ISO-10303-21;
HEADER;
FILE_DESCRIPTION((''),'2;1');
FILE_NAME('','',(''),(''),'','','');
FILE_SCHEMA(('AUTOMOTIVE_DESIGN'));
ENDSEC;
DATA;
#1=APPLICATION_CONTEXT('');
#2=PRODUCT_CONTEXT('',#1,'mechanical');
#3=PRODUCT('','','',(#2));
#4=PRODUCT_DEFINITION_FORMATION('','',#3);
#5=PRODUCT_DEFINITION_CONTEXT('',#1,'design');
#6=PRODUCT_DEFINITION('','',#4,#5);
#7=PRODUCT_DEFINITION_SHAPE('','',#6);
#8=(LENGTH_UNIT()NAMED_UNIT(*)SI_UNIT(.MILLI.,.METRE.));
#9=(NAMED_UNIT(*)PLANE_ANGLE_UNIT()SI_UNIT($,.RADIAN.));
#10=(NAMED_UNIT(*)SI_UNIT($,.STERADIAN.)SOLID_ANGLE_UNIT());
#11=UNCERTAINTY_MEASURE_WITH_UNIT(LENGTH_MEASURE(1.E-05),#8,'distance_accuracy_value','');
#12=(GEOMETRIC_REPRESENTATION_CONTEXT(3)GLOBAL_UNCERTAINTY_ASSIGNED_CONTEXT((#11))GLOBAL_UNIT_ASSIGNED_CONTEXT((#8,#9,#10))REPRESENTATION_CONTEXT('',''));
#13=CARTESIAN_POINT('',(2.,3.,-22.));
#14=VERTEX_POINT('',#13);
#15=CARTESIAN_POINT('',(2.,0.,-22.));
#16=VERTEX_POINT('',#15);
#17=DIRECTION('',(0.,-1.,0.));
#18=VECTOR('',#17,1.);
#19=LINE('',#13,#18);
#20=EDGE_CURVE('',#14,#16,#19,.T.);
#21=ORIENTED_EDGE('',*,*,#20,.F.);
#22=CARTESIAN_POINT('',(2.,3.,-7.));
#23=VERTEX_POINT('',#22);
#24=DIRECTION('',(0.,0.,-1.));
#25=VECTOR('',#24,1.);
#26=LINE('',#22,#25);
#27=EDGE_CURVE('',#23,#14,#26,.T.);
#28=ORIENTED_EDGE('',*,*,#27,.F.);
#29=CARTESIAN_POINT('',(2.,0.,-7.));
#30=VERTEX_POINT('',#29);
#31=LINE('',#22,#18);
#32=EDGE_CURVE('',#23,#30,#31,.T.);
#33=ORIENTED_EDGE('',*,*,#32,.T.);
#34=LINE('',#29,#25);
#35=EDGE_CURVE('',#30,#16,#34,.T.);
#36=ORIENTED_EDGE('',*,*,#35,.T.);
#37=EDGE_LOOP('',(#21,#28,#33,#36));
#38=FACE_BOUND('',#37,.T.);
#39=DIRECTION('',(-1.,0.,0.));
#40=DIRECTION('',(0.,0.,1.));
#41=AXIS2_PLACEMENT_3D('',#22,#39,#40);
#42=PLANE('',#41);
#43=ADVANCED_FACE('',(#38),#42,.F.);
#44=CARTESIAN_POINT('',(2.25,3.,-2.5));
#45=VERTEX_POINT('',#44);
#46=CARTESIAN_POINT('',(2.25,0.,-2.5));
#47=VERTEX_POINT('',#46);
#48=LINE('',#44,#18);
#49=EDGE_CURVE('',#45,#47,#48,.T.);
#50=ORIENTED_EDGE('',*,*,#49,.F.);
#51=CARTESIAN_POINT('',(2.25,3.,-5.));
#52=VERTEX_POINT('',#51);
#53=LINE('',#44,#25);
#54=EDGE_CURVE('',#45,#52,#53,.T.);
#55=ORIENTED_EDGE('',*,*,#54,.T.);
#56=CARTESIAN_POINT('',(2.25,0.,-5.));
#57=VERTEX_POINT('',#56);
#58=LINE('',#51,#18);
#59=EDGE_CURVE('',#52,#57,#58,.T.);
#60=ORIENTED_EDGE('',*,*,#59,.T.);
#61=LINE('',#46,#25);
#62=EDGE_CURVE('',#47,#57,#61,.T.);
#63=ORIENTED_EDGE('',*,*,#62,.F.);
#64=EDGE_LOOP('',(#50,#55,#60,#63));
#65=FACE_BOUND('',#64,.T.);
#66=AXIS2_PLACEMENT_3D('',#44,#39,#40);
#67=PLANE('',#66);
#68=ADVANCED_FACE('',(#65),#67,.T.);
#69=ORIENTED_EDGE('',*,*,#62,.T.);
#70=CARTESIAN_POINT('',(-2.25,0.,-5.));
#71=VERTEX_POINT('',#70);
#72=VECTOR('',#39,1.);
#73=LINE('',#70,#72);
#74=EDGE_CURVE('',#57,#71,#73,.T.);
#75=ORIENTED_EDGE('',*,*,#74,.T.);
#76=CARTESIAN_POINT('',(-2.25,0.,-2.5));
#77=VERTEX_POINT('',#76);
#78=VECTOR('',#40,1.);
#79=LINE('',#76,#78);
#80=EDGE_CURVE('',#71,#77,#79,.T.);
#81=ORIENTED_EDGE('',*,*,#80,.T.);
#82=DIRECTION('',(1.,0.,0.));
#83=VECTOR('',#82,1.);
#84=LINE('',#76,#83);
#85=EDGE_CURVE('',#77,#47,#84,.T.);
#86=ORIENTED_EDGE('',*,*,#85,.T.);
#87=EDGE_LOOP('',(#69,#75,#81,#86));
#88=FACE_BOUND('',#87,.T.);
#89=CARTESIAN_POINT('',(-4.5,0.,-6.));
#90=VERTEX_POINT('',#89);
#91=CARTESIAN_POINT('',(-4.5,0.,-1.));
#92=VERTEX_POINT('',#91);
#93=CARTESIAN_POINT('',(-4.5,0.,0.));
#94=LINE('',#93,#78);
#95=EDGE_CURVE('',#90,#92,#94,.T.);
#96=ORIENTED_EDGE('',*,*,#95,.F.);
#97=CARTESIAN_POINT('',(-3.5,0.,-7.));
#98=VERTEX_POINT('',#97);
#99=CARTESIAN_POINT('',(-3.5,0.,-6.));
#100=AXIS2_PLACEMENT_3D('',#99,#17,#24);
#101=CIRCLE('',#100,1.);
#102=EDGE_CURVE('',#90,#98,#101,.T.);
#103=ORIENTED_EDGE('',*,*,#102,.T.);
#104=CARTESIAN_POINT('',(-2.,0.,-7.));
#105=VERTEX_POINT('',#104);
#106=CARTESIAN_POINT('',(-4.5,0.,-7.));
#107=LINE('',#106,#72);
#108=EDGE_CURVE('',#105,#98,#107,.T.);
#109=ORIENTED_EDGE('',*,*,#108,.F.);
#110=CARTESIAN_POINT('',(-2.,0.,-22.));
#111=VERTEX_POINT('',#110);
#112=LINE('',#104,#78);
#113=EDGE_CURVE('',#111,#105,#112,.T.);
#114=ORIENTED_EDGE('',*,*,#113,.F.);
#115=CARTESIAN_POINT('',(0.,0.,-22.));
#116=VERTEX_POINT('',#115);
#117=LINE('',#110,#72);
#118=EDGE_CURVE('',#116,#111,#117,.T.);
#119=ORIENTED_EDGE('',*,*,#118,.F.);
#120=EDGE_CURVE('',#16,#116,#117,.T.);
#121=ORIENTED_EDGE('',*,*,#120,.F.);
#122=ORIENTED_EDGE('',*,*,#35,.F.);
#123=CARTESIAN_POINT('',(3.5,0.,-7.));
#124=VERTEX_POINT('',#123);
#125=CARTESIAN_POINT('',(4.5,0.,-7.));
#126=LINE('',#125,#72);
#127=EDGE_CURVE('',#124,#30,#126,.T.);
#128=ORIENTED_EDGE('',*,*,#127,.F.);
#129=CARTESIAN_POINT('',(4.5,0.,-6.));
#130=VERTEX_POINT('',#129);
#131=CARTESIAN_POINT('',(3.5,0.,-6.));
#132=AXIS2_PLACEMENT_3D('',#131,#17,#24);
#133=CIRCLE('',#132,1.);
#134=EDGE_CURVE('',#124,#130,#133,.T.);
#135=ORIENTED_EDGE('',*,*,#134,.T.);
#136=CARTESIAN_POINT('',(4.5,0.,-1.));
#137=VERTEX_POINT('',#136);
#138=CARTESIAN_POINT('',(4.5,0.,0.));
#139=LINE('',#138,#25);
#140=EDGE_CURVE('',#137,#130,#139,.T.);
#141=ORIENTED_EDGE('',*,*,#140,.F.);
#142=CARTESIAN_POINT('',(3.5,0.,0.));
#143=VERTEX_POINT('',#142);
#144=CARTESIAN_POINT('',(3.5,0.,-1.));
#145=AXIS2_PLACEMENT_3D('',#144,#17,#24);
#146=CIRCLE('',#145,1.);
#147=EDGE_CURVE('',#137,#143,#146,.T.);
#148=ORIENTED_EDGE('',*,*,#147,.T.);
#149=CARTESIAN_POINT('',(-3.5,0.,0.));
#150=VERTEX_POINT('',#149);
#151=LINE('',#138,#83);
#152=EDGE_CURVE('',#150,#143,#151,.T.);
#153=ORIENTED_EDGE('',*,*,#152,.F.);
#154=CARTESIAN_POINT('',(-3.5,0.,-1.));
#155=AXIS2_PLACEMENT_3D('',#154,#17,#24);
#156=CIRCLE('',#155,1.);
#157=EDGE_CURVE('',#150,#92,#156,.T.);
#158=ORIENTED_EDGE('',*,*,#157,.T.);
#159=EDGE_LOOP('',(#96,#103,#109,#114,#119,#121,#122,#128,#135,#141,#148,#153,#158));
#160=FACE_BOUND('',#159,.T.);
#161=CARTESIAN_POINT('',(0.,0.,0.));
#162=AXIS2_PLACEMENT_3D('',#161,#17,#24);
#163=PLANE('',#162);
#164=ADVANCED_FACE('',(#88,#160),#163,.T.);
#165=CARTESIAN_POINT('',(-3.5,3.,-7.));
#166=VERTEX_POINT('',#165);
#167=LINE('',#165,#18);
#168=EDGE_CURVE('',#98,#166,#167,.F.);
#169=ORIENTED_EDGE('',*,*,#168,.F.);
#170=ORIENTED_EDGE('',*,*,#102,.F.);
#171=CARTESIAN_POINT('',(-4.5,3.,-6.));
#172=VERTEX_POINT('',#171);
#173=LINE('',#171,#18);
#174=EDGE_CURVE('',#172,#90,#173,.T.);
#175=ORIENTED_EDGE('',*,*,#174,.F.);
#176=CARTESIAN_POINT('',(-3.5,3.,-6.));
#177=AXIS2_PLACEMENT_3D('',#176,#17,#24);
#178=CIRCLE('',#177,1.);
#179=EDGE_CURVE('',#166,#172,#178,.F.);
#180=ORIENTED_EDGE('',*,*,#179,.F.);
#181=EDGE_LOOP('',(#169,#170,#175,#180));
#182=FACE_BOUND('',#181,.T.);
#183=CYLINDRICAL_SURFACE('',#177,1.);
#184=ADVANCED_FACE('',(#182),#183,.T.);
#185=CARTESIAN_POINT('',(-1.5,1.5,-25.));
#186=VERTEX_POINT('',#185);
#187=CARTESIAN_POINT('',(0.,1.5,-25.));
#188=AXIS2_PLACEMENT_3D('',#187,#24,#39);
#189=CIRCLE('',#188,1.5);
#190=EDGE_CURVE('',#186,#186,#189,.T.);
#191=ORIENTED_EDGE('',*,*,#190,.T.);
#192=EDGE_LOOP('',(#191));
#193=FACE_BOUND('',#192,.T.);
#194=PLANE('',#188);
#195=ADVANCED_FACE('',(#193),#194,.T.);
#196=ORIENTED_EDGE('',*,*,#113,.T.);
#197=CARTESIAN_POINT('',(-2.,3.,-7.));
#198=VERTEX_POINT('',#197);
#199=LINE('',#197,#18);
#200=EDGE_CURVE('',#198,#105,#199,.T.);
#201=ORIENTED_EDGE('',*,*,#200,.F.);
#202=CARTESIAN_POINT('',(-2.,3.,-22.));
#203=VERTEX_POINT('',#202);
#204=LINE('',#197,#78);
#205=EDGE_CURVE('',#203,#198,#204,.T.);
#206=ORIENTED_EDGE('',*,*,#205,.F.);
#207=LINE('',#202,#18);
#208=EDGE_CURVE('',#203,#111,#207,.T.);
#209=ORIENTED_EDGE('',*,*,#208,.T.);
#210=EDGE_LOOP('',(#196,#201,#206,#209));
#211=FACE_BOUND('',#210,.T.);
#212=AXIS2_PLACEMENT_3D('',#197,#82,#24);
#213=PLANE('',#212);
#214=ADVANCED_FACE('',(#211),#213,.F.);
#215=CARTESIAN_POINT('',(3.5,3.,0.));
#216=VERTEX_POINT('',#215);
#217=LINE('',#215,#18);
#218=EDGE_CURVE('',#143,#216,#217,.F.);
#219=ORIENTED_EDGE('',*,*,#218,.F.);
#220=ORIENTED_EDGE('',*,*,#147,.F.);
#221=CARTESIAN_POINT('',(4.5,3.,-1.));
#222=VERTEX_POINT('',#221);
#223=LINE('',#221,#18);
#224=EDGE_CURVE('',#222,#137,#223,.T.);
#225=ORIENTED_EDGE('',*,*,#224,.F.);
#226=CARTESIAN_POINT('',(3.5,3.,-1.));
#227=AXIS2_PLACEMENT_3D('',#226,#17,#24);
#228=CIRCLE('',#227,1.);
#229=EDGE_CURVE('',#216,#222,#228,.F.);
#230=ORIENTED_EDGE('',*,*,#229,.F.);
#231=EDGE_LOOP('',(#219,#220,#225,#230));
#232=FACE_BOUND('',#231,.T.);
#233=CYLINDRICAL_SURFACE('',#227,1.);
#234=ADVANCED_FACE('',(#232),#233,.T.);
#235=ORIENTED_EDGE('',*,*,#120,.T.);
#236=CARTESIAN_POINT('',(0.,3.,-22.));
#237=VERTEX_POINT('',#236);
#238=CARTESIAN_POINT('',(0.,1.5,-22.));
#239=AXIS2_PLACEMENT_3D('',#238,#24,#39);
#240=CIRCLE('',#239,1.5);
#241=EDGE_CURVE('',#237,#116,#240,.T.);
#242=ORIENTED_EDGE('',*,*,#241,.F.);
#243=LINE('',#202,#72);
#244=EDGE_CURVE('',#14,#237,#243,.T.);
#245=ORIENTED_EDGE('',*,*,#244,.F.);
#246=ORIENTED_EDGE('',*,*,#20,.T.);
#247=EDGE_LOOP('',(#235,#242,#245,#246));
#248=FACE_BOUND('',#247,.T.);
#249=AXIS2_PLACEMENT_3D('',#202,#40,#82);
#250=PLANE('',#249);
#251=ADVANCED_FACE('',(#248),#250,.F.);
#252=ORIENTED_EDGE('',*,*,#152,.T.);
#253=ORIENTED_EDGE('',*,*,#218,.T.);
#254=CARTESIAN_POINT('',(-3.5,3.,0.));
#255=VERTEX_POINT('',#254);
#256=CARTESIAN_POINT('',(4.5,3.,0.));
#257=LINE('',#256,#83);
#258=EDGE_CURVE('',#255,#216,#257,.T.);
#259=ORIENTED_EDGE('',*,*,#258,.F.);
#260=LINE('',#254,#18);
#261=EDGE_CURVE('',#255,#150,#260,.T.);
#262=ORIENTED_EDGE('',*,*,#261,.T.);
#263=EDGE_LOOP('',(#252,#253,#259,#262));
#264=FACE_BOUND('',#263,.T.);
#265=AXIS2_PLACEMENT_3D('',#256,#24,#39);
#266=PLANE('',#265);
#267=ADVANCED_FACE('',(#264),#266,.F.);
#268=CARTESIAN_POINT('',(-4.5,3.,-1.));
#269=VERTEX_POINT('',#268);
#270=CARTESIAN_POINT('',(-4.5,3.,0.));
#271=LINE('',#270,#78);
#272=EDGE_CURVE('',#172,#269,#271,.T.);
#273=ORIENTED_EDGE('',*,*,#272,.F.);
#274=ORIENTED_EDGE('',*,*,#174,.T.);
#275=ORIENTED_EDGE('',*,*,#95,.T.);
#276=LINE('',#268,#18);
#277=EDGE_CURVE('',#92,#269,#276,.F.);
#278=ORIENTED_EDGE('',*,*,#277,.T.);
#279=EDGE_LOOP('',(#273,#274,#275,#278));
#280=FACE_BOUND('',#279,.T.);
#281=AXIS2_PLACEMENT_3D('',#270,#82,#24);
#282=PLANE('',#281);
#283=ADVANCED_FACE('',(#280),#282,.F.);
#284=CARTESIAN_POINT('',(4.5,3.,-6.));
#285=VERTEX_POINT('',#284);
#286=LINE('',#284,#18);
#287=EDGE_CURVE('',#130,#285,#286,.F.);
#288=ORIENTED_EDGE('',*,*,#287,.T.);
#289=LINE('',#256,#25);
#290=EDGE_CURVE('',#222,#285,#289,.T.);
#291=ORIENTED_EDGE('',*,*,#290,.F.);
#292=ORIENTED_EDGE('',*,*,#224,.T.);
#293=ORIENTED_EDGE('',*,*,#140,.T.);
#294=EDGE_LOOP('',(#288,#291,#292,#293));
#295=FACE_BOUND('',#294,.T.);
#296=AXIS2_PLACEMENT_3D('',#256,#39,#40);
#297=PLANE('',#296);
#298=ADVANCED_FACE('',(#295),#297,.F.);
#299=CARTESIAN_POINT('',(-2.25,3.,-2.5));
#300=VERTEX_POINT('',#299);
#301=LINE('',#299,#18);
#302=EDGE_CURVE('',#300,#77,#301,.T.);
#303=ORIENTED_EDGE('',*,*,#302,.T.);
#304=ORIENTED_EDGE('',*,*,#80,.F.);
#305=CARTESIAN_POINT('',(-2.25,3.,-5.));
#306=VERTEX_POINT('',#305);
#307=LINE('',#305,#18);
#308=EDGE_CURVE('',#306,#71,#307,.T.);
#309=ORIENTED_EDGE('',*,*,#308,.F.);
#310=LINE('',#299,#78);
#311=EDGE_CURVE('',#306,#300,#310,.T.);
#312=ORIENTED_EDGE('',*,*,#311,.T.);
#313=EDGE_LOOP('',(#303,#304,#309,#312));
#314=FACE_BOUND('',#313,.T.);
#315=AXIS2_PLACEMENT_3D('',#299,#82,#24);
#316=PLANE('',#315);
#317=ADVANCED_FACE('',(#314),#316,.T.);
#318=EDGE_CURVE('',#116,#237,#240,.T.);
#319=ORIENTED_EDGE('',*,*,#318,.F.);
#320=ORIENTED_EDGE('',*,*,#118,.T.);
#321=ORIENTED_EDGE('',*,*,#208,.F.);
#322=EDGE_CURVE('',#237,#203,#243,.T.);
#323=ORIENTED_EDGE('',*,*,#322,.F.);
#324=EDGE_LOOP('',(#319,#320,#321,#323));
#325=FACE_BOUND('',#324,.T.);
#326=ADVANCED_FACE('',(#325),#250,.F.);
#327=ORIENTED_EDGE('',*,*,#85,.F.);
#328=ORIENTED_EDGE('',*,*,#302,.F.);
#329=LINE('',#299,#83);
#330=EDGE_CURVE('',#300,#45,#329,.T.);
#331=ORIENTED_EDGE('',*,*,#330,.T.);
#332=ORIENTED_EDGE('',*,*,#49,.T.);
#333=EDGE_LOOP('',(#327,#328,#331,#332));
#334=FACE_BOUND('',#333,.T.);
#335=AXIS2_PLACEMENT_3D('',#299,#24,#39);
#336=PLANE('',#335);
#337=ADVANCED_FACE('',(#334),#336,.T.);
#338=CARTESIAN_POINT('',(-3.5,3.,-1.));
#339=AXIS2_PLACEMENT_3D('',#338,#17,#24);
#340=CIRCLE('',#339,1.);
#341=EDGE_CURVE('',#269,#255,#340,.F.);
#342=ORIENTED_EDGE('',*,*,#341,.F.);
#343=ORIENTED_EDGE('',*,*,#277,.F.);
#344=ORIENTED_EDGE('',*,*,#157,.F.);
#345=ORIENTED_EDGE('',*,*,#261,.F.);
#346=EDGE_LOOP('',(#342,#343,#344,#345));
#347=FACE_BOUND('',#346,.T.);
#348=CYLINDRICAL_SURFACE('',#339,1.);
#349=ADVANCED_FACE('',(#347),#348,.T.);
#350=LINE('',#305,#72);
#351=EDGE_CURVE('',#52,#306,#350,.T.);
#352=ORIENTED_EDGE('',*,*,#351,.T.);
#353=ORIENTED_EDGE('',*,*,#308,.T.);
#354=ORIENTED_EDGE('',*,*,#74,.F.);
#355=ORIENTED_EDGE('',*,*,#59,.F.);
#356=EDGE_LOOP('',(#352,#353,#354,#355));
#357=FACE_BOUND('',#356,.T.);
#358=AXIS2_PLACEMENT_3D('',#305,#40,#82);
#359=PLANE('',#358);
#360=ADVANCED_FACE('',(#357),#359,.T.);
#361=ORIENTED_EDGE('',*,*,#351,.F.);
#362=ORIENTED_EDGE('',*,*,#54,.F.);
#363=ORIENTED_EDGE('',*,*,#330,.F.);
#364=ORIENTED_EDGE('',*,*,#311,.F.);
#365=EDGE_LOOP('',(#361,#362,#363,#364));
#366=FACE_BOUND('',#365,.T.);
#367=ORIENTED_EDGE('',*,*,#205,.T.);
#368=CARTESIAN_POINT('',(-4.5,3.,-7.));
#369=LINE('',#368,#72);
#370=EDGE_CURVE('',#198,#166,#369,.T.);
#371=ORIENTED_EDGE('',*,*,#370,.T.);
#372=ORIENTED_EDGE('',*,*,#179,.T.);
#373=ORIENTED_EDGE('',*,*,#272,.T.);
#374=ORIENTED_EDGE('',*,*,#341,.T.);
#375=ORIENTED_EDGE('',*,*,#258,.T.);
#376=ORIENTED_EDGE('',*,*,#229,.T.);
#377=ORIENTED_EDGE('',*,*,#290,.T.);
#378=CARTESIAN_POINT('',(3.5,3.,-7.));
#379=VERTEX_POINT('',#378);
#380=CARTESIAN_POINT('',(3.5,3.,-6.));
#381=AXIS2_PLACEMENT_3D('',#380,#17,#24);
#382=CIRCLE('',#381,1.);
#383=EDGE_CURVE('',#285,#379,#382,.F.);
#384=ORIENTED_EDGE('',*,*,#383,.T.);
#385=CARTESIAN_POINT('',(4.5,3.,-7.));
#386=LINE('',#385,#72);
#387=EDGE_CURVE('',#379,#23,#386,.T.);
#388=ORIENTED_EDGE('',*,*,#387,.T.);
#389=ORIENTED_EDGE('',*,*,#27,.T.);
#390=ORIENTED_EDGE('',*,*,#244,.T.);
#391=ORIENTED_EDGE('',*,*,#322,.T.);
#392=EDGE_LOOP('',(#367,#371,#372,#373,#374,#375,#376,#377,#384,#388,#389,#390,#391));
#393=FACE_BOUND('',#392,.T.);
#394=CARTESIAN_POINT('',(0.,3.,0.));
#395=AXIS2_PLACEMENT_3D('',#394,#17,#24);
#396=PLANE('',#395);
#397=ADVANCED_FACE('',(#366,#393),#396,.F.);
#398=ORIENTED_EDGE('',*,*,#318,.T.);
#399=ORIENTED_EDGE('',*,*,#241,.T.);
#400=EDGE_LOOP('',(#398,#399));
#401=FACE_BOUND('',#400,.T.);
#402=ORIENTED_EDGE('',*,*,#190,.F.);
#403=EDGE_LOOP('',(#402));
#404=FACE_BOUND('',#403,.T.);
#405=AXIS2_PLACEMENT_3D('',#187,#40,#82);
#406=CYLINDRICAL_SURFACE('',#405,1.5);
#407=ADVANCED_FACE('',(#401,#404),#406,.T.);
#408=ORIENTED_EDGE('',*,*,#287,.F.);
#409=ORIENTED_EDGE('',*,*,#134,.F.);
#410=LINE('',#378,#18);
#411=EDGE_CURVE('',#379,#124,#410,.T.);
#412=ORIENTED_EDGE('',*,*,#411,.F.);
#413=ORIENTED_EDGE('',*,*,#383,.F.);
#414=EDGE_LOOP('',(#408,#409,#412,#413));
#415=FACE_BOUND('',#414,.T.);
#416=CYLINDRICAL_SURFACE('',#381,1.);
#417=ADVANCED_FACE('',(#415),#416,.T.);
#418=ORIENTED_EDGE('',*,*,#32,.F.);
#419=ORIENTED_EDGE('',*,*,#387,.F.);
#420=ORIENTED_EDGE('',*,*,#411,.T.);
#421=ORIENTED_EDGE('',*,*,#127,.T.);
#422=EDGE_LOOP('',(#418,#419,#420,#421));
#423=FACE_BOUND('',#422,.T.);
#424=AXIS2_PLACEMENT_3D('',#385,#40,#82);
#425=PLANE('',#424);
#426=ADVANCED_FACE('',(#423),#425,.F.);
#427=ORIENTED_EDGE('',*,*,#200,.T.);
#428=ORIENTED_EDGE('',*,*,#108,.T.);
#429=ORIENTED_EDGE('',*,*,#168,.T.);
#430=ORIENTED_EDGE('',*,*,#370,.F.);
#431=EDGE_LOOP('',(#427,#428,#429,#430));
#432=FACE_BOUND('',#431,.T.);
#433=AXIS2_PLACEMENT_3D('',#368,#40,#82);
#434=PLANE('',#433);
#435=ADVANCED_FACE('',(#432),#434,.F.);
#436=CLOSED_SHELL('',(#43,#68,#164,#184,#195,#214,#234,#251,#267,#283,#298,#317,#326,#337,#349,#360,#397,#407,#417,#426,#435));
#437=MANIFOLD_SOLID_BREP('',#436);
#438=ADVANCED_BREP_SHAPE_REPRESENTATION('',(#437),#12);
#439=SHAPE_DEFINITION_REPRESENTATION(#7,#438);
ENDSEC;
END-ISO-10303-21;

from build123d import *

# Parameters (mm, degrees)
CROQUIS1_W              = 4.5
CROQUIS1_H              = 2.5
SALIENTE_EXTRUIR1_DEPTH = 3
REDONDEO1_R             = 1
CROQUIS2_R              = 1.5
SALIENTE_EXTRUIR2_DEPTH = 3


with BuildPart() as part:
    # Croquis1 → Saliente-Extruir1 (new body)
    with BuildSketch(Plane(origin=(0, 0, 0), x_dir=(1, 0, 0), z_dir=(0, 1, 0))):
        Polygon((4.5, 0), (-4.5, 0), (-4.5, 7), (-2, 7), (-2, 22), (2, 22), (2, 7), (4.5, 7), align=None)
        with Locations((0, 3.75)):
            Rectangle(CROQUIS1_W, CROQUIS1_H, mode=Mode.SUBTRACT)
    extrude(amount=SALIENTE_EXTRUIR1_DEPTH)

    # Redondeo1
    redondeo1_edges = [part.edges().sort_by_distance(p)[0] for p in [
        (-4.5, 1.5, -7),
        (4.5, 1.5, -7),
        (4.5, 1.5, 0),
        (-4.5, 1.5, 0),
    ]]
    fillet(redondeo1_edges, radius=REDONDEO1_R)

    # Croquis2 → Saliente-Extruir2 (add)
    with BuildSketch(Plane(origin=(0, 0, -22), x_dir=(-1, 0, 0), z_dir=(0, 0, -1))):
        with Locations(Location((0, 1.5, 0), (0, 0, 270))):
            Circle(CROQUIS2_R)
    extrude(amount=SALIENTE_EXTRUIR2_DEPTH)


solid = part.part
